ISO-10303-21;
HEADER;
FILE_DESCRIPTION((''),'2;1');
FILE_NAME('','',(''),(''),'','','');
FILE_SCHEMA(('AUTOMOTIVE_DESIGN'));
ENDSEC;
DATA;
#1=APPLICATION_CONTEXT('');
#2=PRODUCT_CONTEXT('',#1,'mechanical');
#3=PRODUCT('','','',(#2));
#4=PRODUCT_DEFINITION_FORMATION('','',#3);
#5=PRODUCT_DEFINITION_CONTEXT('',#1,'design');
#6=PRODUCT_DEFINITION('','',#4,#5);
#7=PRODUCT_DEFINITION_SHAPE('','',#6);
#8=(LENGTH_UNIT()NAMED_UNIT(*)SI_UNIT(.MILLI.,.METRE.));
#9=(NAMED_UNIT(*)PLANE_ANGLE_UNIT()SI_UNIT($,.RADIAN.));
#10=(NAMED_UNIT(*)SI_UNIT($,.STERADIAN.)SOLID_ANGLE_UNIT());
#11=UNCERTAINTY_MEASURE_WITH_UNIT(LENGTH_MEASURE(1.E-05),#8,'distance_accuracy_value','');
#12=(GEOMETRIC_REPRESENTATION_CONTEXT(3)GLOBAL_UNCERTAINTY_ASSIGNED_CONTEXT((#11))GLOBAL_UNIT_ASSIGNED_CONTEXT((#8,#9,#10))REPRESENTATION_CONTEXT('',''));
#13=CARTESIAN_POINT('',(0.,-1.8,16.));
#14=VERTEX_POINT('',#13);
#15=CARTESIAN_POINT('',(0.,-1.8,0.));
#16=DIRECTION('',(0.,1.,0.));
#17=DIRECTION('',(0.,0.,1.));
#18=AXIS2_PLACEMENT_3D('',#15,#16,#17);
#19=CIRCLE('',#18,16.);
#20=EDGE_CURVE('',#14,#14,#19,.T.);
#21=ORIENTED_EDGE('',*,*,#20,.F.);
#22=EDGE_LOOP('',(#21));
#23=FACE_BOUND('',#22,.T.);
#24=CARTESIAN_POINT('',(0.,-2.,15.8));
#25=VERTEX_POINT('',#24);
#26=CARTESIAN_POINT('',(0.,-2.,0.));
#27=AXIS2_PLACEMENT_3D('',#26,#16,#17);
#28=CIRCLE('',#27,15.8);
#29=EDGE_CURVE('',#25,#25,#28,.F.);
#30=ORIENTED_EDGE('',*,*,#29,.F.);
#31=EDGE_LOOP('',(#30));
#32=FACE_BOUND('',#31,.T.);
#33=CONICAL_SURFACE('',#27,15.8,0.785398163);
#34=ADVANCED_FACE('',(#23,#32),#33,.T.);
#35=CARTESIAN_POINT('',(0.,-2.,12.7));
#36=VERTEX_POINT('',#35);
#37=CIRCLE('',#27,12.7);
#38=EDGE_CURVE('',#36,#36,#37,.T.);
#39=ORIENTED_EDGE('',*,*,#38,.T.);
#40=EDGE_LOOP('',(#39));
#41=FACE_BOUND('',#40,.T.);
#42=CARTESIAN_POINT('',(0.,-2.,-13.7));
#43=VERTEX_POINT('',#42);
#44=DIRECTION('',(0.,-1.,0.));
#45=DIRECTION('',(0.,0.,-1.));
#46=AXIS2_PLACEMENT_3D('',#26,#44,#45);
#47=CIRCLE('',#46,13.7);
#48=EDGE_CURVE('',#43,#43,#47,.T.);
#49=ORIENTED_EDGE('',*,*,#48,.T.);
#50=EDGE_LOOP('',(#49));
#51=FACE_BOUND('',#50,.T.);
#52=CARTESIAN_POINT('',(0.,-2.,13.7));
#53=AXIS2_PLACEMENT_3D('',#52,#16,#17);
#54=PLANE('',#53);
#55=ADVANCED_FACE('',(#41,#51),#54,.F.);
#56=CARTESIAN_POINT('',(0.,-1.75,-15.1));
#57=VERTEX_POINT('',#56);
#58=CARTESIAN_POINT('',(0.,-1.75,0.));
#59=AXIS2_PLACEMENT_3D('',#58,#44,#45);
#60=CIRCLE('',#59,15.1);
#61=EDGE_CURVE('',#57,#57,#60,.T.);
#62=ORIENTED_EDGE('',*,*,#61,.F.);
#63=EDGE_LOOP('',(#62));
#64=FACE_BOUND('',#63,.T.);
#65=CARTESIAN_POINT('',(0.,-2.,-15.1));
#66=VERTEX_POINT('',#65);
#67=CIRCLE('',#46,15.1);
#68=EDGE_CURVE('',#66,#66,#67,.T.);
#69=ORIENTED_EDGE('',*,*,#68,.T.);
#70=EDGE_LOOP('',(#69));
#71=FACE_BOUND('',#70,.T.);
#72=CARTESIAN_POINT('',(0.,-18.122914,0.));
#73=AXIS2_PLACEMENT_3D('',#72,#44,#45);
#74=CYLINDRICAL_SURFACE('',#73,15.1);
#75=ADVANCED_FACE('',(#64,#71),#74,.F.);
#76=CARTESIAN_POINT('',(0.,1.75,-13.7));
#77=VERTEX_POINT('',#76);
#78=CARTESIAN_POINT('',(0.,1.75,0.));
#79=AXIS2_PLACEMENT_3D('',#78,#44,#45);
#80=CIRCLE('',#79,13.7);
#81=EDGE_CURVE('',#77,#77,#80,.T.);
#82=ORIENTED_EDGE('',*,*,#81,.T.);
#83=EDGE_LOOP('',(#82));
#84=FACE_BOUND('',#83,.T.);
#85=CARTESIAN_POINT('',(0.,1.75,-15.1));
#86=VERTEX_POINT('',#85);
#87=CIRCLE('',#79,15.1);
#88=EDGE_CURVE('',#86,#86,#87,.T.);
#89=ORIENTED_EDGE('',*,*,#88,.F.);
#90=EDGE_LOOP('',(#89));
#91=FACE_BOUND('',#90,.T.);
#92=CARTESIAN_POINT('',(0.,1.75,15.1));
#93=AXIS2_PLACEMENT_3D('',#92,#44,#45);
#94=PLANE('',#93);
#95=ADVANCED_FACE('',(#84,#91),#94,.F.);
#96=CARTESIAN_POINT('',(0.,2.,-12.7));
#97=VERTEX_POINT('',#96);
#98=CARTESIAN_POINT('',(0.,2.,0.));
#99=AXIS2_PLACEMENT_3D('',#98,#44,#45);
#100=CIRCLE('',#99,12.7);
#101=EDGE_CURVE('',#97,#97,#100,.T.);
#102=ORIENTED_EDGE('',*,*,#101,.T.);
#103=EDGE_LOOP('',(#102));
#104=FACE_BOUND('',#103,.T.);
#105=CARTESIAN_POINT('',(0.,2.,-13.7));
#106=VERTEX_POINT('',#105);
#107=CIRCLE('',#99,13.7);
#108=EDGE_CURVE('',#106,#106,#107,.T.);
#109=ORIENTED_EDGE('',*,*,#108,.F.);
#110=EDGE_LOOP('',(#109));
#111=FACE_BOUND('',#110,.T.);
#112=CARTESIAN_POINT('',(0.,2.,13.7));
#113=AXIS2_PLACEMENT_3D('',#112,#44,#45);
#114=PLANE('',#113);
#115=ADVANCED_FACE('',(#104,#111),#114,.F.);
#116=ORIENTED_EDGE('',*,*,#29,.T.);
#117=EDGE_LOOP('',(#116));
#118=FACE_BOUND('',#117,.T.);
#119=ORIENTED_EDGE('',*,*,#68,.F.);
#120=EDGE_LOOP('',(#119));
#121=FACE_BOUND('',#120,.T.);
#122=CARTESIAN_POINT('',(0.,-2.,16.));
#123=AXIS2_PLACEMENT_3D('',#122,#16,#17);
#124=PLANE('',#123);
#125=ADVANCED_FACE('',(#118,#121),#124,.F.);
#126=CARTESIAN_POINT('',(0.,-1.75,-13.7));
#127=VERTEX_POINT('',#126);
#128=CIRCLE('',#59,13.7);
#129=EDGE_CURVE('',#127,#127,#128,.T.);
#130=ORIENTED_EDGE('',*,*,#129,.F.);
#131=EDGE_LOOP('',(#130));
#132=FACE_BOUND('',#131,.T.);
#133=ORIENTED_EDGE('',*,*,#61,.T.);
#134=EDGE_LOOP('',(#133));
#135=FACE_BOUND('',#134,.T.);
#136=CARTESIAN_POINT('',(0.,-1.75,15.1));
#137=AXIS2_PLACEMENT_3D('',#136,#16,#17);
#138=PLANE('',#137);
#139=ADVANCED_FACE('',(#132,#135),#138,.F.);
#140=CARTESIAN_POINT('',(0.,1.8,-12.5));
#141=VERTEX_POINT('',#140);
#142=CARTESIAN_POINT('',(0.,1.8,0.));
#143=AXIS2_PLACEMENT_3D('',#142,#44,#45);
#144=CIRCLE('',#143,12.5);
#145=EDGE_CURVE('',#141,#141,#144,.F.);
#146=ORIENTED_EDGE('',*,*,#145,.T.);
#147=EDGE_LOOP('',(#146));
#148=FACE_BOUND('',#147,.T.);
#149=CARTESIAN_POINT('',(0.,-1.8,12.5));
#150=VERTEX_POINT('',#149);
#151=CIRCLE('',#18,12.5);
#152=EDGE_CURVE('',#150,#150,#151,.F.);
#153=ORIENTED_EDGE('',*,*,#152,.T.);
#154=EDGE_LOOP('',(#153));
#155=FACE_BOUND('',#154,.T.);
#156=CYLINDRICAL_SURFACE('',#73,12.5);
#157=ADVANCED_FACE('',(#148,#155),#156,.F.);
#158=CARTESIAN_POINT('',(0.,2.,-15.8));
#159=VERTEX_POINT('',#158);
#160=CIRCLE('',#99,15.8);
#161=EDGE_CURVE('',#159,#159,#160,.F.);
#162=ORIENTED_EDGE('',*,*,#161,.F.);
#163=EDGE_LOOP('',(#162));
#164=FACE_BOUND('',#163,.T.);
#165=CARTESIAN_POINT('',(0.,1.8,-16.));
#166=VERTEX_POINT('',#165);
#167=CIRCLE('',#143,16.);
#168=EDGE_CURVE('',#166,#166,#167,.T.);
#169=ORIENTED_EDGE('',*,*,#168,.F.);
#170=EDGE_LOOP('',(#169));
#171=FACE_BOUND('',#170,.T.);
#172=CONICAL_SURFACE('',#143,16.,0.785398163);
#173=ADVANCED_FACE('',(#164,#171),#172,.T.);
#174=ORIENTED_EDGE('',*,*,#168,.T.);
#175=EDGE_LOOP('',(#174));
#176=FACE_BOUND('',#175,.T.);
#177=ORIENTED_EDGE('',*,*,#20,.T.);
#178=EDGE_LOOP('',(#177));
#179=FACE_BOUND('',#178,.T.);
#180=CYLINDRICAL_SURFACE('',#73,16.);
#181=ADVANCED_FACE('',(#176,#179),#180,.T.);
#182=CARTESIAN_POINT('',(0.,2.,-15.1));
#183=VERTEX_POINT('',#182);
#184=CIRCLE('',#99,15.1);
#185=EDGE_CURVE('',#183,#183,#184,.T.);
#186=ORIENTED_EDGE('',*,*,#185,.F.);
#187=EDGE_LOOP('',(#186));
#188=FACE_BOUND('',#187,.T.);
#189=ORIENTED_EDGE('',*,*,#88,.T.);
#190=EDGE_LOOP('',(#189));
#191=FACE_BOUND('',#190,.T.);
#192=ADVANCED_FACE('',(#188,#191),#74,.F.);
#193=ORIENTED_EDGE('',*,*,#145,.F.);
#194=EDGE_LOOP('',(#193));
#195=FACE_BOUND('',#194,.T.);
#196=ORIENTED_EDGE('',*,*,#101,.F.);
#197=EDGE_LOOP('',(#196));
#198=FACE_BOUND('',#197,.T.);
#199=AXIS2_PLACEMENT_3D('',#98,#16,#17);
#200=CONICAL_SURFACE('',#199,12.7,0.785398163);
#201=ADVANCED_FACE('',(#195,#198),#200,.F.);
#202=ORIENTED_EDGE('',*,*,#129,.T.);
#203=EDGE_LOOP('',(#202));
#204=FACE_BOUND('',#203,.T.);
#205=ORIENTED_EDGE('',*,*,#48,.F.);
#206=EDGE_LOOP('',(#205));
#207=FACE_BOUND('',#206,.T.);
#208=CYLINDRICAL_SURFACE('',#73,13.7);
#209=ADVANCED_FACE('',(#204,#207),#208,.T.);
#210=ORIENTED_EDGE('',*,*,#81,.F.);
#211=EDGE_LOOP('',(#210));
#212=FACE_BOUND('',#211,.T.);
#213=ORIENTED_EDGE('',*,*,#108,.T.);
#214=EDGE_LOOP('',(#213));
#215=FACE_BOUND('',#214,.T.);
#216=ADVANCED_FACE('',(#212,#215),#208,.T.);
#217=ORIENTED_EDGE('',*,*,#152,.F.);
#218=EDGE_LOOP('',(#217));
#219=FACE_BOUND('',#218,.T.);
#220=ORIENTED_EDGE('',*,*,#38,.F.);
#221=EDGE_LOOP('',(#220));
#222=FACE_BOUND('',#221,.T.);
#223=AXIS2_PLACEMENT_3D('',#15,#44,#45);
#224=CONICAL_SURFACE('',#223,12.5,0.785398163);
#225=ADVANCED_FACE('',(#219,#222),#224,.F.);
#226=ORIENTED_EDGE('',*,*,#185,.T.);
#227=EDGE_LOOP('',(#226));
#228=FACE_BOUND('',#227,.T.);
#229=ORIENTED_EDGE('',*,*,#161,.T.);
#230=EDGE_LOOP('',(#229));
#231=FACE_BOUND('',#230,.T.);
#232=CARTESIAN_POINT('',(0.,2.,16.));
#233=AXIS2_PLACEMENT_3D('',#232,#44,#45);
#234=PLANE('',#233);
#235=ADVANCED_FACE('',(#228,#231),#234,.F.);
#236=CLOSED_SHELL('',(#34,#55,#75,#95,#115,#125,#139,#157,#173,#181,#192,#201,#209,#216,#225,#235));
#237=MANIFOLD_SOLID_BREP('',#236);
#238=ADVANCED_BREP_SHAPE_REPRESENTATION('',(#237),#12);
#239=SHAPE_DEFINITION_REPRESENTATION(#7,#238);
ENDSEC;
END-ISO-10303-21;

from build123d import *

# Parameters (mm, degrees)
FASE1_SIZE = 0.2


with BuildPart() as part:
    # Skizze2 → Rotation2 (revolve)
    with BuildSketch(Plane(origin=(0, 0, 0), x_dir=(0, 0, -1), z_dir=(1, 0, 0))):
        Polygon((-16, 2), (-16, -2), (-15.1, -2), (-15.1, -1.75), (-13.7, -1.75), (-13.7, -2), (-12.5, -2), (-12.5, 2), (-13.7, 2), (-13.7, 1.75), (-15.1, 1.75), (-15.1, 2), align=None)
    revolve(axis=Axis((0, -18.122913865, 0), (0, 1, 0)))

    # Fase1
    fase1_edges = [part.edges().sort_by_distance(p)[0] for p in [
        (0, 2, -12.5),
        (0, -2, -12.5),
        (0, -2, -16),
        (0, 2, -16),
    ]]
    chamfer(fase1_edges, length=FASE1_SIZE)


solid = part.part
